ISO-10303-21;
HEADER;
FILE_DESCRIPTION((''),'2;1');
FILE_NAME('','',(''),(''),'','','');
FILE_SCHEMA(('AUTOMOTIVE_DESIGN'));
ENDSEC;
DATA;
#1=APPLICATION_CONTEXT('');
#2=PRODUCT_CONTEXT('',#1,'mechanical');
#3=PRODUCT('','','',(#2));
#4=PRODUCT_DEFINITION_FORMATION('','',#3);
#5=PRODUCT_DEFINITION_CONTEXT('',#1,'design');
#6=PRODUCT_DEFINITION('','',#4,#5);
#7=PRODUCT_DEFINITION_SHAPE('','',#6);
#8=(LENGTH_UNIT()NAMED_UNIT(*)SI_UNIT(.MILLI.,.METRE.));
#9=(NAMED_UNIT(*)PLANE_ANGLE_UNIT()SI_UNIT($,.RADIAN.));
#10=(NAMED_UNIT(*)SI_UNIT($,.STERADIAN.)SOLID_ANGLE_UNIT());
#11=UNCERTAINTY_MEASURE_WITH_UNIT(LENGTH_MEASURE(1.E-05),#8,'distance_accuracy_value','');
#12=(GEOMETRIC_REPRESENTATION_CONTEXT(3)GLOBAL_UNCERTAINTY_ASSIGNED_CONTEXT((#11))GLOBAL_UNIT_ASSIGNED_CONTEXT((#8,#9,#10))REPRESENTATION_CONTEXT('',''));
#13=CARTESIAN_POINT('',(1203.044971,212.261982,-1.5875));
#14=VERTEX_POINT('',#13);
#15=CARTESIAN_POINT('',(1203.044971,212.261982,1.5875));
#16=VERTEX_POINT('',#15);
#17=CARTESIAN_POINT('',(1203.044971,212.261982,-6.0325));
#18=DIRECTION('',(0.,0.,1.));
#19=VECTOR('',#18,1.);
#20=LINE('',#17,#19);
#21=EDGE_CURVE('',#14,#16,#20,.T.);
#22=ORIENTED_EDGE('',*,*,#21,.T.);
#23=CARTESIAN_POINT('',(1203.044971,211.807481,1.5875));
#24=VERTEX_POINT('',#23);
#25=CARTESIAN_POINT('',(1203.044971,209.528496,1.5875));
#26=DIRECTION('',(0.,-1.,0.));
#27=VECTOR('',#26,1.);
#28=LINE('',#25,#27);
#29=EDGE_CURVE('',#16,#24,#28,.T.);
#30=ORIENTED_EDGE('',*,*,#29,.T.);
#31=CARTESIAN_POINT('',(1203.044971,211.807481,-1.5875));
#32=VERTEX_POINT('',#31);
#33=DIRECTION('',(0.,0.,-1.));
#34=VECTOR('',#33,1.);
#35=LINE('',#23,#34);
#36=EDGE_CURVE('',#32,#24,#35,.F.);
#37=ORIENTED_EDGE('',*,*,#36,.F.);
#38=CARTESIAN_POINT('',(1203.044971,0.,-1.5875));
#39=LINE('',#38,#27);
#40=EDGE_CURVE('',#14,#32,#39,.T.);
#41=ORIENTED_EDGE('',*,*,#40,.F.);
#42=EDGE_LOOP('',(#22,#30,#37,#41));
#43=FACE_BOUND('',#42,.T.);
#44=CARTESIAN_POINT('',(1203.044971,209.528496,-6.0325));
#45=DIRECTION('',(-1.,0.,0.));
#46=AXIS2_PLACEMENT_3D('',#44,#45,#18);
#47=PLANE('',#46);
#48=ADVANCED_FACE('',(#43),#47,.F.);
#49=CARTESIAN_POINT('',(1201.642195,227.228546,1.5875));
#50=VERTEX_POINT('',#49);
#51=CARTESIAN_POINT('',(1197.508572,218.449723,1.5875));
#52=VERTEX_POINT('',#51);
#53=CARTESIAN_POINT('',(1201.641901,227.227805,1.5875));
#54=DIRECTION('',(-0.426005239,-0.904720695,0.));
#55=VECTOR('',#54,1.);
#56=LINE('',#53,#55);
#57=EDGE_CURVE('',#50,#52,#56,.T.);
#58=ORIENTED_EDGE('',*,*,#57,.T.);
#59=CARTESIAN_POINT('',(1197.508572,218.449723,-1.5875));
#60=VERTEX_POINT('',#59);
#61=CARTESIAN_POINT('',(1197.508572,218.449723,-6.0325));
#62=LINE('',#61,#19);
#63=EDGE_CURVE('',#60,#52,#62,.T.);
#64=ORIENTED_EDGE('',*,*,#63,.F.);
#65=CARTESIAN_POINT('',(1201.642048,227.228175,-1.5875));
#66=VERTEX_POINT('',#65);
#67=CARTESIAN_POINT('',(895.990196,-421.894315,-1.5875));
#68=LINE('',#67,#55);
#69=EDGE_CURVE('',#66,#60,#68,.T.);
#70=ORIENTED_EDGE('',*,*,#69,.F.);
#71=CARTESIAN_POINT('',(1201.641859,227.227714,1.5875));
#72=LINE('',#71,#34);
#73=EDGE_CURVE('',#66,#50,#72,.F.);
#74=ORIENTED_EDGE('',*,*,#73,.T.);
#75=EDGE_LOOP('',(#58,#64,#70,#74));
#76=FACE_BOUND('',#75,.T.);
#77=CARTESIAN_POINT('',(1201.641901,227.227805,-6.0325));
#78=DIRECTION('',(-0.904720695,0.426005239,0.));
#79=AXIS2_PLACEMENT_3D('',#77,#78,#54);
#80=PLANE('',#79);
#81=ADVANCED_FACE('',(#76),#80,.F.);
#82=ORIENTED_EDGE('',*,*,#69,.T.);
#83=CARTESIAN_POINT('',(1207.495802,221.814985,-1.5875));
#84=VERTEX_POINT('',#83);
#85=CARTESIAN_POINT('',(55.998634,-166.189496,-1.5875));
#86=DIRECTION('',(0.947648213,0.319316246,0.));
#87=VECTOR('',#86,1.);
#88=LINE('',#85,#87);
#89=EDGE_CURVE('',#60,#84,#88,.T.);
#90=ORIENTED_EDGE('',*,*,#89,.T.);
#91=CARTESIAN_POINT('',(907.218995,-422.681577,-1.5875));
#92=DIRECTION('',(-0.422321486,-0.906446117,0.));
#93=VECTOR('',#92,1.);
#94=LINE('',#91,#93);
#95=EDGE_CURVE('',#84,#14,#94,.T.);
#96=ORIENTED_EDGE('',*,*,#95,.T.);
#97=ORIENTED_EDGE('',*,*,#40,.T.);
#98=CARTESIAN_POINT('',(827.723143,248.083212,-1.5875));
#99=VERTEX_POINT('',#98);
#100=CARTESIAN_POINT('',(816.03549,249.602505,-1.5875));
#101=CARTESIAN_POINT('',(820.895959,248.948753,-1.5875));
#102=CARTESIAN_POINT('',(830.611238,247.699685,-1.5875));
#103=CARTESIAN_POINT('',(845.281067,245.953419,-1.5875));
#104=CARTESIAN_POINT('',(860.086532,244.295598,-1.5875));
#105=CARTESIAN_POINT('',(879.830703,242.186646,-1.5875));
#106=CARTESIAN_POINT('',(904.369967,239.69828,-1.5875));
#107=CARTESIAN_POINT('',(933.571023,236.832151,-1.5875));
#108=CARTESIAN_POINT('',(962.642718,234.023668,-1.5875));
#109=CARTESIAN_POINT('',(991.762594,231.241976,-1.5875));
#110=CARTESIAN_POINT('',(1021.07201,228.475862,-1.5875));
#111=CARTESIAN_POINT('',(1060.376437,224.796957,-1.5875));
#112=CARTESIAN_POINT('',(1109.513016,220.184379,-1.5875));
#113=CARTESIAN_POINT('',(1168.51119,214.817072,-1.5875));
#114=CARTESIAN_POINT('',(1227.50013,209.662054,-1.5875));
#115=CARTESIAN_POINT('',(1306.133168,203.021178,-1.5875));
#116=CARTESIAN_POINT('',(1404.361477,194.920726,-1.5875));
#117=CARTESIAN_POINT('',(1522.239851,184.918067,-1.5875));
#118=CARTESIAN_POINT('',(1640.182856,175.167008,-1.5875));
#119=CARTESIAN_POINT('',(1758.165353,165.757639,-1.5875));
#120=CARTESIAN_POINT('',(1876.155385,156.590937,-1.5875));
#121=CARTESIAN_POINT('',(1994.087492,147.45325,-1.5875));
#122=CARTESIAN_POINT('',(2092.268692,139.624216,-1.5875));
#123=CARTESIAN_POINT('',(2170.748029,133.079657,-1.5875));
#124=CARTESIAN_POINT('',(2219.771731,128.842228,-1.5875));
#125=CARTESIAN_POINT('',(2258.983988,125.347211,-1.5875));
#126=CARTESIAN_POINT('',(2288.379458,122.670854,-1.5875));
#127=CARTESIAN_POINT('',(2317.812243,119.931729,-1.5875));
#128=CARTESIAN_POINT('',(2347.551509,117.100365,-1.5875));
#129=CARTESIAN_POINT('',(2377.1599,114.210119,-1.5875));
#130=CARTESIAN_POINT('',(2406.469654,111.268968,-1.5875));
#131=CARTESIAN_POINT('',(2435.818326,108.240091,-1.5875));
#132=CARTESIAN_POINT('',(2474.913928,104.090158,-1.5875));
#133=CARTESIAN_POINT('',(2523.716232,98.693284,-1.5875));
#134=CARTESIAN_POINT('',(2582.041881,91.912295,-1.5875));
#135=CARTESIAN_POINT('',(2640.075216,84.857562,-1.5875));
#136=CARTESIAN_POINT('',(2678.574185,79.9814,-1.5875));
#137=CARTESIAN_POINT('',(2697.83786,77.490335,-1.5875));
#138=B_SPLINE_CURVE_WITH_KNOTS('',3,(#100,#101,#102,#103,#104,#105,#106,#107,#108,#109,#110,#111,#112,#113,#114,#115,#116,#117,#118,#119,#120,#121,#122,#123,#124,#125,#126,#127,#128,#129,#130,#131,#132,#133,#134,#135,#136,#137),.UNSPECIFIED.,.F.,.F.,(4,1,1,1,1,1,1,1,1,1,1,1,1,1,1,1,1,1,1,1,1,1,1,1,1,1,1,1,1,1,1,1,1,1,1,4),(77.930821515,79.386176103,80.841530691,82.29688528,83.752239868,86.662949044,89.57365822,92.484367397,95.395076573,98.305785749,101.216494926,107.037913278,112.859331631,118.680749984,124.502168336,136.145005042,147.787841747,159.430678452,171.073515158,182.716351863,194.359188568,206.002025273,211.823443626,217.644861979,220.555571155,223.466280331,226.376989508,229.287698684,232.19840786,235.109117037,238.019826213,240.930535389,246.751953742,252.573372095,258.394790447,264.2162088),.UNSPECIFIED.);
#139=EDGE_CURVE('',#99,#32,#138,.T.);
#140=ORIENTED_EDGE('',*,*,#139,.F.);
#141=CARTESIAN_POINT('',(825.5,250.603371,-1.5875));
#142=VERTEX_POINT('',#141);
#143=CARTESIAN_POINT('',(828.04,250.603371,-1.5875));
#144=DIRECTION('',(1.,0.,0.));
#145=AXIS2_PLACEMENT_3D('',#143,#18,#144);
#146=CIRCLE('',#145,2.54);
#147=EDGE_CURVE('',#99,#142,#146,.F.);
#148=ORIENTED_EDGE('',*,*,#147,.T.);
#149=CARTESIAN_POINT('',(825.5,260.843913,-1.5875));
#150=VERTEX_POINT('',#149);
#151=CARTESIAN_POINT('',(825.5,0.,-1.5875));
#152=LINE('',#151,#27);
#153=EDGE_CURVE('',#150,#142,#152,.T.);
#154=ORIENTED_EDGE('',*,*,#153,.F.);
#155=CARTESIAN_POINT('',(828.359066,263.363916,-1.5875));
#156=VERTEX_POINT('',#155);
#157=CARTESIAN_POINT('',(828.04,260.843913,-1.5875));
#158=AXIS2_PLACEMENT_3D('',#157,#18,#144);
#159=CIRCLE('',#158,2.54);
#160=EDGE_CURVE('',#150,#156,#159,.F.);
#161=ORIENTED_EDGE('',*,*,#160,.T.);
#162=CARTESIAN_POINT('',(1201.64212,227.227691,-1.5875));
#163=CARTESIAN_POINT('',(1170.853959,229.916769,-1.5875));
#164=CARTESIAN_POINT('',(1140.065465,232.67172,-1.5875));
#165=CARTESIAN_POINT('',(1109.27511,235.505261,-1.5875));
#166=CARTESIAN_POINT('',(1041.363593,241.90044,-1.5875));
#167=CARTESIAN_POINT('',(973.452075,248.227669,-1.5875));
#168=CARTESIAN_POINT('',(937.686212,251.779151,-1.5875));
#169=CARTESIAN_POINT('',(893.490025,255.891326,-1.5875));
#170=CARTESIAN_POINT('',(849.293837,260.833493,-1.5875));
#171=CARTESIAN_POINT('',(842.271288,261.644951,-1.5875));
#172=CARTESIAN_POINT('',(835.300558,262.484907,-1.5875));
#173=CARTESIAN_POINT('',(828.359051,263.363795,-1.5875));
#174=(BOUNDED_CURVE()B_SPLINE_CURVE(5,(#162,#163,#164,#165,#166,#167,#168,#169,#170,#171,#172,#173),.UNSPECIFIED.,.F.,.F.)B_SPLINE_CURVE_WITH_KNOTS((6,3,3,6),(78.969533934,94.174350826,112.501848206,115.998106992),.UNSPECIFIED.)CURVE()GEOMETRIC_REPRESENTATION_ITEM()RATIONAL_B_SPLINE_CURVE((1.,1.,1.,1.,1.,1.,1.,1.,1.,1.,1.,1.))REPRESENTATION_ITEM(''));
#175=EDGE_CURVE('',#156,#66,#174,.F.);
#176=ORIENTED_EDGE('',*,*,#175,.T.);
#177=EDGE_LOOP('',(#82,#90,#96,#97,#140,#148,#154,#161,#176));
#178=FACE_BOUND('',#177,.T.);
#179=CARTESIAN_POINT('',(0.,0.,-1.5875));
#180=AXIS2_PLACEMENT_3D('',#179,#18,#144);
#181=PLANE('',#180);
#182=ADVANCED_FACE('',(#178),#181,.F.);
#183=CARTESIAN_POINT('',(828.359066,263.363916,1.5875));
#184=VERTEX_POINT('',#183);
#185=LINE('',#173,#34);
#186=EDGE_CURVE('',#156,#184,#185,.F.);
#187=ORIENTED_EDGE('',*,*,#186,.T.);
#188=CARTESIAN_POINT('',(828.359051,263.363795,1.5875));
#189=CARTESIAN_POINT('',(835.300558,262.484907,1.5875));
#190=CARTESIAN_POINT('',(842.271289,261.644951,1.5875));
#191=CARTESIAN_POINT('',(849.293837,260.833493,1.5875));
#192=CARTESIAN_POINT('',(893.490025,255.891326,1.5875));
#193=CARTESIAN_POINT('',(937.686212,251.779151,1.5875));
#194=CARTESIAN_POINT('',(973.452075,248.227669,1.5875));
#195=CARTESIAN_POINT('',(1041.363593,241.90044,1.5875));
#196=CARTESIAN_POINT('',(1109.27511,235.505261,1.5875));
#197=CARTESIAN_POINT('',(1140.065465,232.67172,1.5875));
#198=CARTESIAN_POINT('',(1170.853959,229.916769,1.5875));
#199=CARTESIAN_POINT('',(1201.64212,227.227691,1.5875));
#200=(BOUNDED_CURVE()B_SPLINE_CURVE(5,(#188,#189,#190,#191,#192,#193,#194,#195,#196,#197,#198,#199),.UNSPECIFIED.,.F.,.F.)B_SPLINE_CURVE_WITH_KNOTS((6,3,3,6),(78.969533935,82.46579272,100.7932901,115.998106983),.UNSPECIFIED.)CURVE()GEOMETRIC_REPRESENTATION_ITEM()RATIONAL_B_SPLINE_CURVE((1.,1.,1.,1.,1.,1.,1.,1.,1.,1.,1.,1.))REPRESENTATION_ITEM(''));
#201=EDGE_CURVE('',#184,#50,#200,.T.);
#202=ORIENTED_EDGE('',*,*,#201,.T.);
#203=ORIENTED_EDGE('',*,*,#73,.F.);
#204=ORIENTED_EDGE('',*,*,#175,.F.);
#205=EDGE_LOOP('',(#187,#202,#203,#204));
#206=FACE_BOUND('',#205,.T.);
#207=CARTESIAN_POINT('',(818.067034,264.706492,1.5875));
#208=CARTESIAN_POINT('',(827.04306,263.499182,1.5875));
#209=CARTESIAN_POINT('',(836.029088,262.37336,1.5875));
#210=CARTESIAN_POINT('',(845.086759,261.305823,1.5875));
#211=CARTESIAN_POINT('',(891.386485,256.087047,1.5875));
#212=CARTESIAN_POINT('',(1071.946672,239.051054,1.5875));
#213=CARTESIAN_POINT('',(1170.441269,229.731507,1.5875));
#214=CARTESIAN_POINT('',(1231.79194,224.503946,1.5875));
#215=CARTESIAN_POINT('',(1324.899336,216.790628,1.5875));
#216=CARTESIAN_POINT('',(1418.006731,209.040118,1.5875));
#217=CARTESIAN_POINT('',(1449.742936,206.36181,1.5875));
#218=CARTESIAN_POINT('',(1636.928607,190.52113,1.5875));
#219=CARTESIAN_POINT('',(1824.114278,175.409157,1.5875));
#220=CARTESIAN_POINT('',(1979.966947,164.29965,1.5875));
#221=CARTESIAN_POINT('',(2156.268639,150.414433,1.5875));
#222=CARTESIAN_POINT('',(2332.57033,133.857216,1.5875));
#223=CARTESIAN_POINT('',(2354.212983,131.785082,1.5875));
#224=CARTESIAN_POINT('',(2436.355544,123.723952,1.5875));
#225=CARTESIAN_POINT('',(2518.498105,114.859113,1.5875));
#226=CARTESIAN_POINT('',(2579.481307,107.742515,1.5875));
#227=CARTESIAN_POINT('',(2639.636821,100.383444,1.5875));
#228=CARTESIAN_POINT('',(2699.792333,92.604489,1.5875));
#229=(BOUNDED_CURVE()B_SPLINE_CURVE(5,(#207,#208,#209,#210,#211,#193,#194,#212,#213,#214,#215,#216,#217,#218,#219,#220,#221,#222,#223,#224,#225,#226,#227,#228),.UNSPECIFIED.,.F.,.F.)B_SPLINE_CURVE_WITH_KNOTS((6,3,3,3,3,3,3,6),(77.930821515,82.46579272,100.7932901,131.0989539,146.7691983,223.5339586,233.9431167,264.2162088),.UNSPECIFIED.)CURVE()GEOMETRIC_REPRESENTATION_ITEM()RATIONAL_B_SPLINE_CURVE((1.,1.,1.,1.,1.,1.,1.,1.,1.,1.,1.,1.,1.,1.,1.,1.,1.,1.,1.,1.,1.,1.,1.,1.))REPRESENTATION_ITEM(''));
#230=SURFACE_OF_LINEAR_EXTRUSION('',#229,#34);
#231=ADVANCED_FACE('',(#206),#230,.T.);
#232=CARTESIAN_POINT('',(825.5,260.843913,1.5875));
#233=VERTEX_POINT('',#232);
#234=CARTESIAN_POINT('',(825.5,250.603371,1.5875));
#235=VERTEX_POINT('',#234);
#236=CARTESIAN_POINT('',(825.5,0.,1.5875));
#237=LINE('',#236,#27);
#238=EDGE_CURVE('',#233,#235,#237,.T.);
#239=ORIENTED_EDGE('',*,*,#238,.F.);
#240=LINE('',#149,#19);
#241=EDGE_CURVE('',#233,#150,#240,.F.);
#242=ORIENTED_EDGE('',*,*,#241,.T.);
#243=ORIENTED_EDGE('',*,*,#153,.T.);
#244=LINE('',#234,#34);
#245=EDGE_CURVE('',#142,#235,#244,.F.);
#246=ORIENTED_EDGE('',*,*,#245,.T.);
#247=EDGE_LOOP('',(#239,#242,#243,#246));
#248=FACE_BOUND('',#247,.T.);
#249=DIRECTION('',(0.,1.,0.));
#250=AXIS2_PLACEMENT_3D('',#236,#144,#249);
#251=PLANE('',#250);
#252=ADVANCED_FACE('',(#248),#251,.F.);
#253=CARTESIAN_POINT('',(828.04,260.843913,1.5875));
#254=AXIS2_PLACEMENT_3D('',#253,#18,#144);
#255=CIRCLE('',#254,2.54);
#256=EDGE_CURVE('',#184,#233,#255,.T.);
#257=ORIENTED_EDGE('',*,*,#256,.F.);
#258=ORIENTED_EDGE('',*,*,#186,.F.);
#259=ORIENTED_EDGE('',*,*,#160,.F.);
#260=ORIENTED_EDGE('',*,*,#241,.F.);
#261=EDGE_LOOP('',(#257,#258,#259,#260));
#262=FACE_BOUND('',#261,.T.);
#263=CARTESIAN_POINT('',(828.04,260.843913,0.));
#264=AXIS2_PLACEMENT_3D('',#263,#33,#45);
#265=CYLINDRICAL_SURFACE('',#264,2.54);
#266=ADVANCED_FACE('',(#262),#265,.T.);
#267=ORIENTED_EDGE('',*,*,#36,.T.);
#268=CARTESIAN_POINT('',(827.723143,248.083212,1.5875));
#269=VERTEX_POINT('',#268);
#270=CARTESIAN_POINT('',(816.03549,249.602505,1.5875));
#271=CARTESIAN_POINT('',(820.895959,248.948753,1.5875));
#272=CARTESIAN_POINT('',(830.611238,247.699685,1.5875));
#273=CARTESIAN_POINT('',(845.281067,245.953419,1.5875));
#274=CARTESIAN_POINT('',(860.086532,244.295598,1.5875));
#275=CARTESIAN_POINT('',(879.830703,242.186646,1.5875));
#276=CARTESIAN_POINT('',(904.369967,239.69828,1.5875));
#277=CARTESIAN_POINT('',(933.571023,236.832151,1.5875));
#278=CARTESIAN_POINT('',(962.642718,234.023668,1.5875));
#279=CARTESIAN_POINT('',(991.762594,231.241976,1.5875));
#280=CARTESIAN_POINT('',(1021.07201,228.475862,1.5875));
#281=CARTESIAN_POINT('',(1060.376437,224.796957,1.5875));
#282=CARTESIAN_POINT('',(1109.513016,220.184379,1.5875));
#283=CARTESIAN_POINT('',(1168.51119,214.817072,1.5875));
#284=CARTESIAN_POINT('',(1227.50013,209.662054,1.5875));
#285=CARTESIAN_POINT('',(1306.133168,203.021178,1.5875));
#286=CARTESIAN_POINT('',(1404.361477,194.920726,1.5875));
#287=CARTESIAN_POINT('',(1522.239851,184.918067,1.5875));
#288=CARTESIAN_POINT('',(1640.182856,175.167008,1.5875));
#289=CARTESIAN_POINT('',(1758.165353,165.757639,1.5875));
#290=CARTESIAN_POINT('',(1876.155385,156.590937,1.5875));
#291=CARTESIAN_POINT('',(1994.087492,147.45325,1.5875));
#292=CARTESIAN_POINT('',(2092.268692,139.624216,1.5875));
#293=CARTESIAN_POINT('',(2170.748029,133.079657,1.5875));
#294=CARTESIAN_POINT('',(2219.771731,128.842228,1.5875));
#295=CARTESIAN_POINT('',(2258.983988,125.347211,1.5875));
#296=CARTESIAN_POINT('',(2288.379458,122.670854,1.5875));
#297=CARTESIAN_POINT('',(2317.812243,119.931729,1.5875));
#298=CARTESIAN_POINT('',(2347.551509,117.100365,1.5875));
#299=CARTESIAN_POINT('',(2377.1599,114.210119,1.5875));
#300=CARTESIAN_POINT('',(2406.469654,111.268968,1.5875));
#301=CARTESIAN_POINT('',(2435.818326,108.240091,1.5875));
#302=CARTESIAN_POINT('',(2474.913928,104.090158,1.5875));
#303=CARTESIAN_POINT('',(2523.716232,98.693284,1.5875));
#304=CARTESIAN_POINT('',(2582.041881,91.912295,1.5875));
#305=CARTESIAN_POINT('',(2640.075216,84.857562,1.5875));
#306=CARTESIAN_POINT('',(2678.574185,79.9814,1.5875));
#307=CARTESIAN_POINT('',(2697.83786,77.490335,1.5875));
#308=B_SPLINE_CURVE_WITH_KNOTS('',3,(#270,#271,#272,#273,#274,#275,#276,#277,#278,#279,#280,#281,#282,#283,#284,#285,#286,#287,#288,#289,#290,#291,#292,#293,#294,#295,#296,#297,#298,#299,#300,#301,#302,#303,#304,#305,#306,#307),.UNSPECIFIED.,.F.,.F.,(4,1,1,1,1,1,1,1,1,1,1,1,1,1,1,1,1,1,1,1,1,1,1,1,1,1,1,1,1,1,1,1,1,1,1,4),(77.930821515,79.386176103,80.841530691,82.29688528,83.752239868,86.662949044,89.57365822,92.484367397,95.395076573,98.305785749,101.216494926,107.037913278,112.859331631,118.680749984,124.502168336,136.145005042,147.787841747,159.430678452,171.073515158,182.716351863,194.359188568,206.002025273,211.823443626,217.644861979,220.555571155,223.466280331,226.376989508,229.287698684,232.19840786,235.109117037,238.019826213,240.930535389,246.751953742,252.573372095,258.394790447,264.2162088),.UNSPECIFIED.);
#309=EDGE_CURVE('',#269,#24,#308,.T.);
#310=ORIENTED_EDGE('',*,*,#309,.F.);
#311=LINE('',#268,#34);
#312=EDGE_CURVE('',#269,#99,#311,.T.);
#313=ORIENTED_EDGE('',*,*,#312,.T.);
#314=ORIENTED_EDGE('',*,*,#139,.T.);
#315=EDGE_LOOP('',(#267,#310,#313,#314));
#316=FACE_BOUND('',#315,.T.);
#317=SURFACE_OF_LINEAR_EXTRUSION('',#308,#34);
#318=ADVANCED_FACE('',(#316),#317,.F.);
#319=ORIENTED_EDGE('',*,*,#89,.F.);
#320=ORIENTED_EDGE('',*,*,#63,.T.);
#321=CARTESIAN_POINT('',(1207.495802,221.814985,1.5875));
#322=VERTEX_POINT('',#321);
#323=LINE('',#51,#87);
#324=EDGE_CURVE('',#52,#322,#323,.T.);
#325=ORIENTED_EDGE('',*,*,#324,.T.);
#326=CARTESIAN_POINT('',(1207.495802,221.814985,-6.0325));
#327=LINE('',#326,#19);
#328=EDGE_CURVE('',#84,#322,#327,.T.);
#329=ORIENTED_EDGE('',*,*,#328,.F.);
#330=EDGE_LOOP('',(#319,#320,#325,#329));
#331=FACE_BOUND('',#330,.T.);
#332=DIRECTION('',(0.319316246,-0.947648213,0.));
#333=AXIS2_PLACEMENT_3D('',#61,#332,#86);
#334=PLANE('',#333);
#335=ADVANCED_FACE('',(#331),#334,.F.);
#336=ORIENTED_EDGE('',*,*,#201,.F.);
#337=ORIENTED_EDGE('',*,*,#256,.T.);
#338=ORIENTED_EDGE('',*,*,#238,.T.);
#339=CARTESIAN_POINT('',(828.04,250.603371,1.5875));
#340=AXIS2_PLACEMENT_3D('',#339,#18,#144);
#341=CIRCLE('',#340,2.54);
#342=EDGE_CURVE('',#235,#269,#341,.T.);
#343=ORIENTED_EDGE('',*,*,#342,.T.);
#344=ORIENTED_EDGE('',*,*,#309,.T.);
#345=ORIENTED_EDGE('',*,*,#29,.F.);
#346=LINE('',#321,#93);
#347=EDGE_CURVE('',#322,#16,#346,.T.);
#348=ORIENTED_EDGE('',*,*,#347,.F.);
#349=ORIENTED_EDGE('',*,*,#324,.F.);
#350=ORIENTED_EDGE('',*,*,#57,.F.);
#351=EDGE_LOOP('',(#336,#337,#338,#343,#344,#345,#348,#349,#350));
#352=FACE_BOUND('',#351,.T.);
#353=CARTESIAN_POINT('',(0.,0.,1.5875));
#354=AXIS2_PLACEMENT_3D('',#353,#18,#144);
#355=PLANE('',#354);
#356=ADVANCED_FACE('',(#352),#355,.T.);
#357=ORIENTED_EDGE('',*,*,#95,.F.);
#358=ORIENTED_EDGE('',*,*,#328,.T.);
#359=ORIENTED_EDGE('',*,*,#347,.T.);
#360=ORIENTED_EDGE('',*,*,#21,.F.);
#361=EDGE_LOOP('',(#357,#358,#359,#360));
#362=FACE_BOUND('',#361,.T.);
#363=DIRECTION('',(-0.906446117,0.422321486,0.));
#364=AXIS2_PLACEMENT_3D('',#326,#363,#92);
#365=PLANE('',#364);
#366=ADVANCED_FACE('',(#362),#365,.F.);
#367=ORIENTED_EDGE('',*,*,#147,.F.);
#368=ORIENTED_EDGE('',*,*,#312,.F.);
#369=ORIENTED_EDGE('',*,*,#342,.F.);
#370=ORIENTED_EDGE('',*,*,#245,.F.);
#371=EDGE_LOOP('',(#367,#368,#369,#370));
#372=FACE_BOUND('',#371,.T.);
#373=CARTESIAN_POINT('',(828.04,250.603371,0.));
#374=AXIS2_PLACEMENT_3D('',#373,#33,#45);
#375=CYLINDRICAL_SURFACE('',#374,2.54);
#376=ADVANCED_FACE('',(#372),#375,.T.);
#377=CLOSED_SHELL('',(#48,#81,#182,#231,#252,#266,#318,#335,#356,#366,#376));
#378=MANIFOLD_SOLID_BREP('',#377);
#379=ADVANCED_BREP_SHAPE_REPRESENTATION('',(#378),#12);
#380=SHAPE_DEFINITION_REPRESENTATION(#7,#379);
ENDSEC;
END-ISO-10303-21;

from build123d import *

# Parameters (mm, degrees)
BOSS_EXTRUDE1_DEPTH = 1.5875
FILLET1_R           = 2.54
CUT_EXTRUDE1_DEPTH  = 7.62


with BuildPart() as part:
    # Sketch2 → Boss-Extrude1 (new body, symmetric)
    with BuildSketch(Plane.XY):
        with BuildLine():
            add(Edge.make_bspline(
                [(825.5, 263.72872798), (833.004293944, 262.763036085), (840.535916247, 261.846014478), (848.126574562, 260.964164828), (892.90639318, 255.945629274), (937.686211733, 251.779150949), (973.452075064, 248.227669425), (1071.946672141, 239.051054038), (1170.441269319, 229.731506738), (1231.791940344, 224.503945813), (1324.899336146, 216.790627817), (1418.006730935, 209.040117978), (1449.742935921, 206.361809936), (1636.928606778, 190.521130342), (1824.114277635, 175.409157235), (1979.966947376, 164.299650253), (2156.268639429, 150.414433314), (2332.570330468, 133.857216402), (2354.212983157, 131.78508222), (2394.341467798, 127.847039259), (2434.469952439, 123.717187755), (2453.57670361, 121.704562273), (2472.669581058, 119.647220503), (2491.74, 117.547195763)],
                knots=[78.681340958, 78.681340958, 78.681340958, 78.681340958, 78.681340958, 78.681340958, 82.46579272, 82.46579272, 82.46579272, 100.7932901, 100.7932901, 100.7932901, 131.0989539, 131.0989539, 131.0989539, 146.7691983, 146.7691983, 146.7691983, 223.5339586, 223.5339586, 223.5339586, 233.9431167, 233.9431167, 233.9431167, 243.40815085, 243.40815085, 243.40815085, 243.40815085, 243.40815085, 243.40815085], degree=5))
            Line((825.5, 263.72872798), (825.5, 248.364439806))
            add(Edge.make_bspline(
                [(825.5, 248.364439806), (827.20768691, 248.14708351), (833.784664511, 247.321927102), (845.28106727, 245.953419483), (860.086531547, 244.295598067), (879.830703434, 242.186646028), (904.369967092, 239.698279806), (933.571022669, 236.832150625), (962.642718041, 234.023667741), (991.762593943, 231.241975908), (1021.072010315, 228.475862291), (1060.376437315, 224.796956681), (1109.513015577, 220.184378862), (1168.511190361, 214.817071985), (1227.500129793, 209.662054042), (1306.133167947, 203.021178328), (1404.361477105, 194.920725932), (1522.239851071, 184.918066624), (1640.182856491, 175.167007786), (1758.165352567, 165.757639485), (1876.155384769, 156.590937079), (1994.08749188, 147.453250142), (2092.268692061, 139.624216053), (2170.748029042, 133.079656729), (2219.771730977, 128.842227836), (2258.983988247, 125.347211495), (2288.379457536, 122.670854497), (2317.812243116, 119.931729386), (2347.551509172, 117.100365283), (2377.159899727, 114.21011853), (2406.469653851, 111.26896801), (2435.81832606, 108.240091266), (2464.242715806, 105.222889554), (2482.876892709, 103.192325927), (2491.74, 102.214848055)],
                knots=[78.875303138, 78.875303138, 78.875303138, 78.875303138, 79.386176103, 80.841530691, 82.29688528, 83.752239868, 86.662949044, 89.57365822, 92.484367397, 95.395076573, 98.305785749, 101.216494926, 107.037913278, 112.859331631, 118.680749984, 124.502168336, 136.145005042, 147.787841747, 159.430678452, 171.073515158, 182.716351863, 194.359188568, 206.002025273, 211.823443626, 217.644861979, 220.555571155, 223.466280331, 226.376989508, 229.287698684, 232.19840786, 235.109117037, 238.019826213, 240.930535389, 243.57402126, 243.57402126, 243.57402126, 243.57402126], degree=3))
            Line((2491.74, 102.214848055), (2491.74, 117.547195763))
        make_face()
    extrude(amount=BOSS_EXTRUDE1_DEPTH, both=True)

    # Fillet1
    fillet1_edges = [part.edges().sort_by_distance(p)[0] for p in [
        (2491.74, 102.214848055, -0.79375),
        (2491.74, 117.547195763, -0.79375),
        (825.5, 248.364439806, -0.79375),
        (825.5, 263.72872798, 0.79375),
    ]]
    fillet(fillet1_edges, radius=FILLET1_R)

    # Sketch3 → Cut-Extrude1 (cut)
    with BuildSketch(Plane.XY.offset(1.5875)):
        Polygon((1201.641901464, 227.227804562), (1201.641901464, 233.657871268), (2527.666884392, 125.867495718), (2495.375554416, 68.882795761), (1203.044971141, 209.52849605), (1203.044971141, 212.261982037), (1207.495802024, 221.814984909), (1197.508571749, 218.449722533), align=None)
    extrude(amount=-CUT_EXTRUDE1_DEPTH, mode=Mode.SUBTRACT)


solid = part.part
